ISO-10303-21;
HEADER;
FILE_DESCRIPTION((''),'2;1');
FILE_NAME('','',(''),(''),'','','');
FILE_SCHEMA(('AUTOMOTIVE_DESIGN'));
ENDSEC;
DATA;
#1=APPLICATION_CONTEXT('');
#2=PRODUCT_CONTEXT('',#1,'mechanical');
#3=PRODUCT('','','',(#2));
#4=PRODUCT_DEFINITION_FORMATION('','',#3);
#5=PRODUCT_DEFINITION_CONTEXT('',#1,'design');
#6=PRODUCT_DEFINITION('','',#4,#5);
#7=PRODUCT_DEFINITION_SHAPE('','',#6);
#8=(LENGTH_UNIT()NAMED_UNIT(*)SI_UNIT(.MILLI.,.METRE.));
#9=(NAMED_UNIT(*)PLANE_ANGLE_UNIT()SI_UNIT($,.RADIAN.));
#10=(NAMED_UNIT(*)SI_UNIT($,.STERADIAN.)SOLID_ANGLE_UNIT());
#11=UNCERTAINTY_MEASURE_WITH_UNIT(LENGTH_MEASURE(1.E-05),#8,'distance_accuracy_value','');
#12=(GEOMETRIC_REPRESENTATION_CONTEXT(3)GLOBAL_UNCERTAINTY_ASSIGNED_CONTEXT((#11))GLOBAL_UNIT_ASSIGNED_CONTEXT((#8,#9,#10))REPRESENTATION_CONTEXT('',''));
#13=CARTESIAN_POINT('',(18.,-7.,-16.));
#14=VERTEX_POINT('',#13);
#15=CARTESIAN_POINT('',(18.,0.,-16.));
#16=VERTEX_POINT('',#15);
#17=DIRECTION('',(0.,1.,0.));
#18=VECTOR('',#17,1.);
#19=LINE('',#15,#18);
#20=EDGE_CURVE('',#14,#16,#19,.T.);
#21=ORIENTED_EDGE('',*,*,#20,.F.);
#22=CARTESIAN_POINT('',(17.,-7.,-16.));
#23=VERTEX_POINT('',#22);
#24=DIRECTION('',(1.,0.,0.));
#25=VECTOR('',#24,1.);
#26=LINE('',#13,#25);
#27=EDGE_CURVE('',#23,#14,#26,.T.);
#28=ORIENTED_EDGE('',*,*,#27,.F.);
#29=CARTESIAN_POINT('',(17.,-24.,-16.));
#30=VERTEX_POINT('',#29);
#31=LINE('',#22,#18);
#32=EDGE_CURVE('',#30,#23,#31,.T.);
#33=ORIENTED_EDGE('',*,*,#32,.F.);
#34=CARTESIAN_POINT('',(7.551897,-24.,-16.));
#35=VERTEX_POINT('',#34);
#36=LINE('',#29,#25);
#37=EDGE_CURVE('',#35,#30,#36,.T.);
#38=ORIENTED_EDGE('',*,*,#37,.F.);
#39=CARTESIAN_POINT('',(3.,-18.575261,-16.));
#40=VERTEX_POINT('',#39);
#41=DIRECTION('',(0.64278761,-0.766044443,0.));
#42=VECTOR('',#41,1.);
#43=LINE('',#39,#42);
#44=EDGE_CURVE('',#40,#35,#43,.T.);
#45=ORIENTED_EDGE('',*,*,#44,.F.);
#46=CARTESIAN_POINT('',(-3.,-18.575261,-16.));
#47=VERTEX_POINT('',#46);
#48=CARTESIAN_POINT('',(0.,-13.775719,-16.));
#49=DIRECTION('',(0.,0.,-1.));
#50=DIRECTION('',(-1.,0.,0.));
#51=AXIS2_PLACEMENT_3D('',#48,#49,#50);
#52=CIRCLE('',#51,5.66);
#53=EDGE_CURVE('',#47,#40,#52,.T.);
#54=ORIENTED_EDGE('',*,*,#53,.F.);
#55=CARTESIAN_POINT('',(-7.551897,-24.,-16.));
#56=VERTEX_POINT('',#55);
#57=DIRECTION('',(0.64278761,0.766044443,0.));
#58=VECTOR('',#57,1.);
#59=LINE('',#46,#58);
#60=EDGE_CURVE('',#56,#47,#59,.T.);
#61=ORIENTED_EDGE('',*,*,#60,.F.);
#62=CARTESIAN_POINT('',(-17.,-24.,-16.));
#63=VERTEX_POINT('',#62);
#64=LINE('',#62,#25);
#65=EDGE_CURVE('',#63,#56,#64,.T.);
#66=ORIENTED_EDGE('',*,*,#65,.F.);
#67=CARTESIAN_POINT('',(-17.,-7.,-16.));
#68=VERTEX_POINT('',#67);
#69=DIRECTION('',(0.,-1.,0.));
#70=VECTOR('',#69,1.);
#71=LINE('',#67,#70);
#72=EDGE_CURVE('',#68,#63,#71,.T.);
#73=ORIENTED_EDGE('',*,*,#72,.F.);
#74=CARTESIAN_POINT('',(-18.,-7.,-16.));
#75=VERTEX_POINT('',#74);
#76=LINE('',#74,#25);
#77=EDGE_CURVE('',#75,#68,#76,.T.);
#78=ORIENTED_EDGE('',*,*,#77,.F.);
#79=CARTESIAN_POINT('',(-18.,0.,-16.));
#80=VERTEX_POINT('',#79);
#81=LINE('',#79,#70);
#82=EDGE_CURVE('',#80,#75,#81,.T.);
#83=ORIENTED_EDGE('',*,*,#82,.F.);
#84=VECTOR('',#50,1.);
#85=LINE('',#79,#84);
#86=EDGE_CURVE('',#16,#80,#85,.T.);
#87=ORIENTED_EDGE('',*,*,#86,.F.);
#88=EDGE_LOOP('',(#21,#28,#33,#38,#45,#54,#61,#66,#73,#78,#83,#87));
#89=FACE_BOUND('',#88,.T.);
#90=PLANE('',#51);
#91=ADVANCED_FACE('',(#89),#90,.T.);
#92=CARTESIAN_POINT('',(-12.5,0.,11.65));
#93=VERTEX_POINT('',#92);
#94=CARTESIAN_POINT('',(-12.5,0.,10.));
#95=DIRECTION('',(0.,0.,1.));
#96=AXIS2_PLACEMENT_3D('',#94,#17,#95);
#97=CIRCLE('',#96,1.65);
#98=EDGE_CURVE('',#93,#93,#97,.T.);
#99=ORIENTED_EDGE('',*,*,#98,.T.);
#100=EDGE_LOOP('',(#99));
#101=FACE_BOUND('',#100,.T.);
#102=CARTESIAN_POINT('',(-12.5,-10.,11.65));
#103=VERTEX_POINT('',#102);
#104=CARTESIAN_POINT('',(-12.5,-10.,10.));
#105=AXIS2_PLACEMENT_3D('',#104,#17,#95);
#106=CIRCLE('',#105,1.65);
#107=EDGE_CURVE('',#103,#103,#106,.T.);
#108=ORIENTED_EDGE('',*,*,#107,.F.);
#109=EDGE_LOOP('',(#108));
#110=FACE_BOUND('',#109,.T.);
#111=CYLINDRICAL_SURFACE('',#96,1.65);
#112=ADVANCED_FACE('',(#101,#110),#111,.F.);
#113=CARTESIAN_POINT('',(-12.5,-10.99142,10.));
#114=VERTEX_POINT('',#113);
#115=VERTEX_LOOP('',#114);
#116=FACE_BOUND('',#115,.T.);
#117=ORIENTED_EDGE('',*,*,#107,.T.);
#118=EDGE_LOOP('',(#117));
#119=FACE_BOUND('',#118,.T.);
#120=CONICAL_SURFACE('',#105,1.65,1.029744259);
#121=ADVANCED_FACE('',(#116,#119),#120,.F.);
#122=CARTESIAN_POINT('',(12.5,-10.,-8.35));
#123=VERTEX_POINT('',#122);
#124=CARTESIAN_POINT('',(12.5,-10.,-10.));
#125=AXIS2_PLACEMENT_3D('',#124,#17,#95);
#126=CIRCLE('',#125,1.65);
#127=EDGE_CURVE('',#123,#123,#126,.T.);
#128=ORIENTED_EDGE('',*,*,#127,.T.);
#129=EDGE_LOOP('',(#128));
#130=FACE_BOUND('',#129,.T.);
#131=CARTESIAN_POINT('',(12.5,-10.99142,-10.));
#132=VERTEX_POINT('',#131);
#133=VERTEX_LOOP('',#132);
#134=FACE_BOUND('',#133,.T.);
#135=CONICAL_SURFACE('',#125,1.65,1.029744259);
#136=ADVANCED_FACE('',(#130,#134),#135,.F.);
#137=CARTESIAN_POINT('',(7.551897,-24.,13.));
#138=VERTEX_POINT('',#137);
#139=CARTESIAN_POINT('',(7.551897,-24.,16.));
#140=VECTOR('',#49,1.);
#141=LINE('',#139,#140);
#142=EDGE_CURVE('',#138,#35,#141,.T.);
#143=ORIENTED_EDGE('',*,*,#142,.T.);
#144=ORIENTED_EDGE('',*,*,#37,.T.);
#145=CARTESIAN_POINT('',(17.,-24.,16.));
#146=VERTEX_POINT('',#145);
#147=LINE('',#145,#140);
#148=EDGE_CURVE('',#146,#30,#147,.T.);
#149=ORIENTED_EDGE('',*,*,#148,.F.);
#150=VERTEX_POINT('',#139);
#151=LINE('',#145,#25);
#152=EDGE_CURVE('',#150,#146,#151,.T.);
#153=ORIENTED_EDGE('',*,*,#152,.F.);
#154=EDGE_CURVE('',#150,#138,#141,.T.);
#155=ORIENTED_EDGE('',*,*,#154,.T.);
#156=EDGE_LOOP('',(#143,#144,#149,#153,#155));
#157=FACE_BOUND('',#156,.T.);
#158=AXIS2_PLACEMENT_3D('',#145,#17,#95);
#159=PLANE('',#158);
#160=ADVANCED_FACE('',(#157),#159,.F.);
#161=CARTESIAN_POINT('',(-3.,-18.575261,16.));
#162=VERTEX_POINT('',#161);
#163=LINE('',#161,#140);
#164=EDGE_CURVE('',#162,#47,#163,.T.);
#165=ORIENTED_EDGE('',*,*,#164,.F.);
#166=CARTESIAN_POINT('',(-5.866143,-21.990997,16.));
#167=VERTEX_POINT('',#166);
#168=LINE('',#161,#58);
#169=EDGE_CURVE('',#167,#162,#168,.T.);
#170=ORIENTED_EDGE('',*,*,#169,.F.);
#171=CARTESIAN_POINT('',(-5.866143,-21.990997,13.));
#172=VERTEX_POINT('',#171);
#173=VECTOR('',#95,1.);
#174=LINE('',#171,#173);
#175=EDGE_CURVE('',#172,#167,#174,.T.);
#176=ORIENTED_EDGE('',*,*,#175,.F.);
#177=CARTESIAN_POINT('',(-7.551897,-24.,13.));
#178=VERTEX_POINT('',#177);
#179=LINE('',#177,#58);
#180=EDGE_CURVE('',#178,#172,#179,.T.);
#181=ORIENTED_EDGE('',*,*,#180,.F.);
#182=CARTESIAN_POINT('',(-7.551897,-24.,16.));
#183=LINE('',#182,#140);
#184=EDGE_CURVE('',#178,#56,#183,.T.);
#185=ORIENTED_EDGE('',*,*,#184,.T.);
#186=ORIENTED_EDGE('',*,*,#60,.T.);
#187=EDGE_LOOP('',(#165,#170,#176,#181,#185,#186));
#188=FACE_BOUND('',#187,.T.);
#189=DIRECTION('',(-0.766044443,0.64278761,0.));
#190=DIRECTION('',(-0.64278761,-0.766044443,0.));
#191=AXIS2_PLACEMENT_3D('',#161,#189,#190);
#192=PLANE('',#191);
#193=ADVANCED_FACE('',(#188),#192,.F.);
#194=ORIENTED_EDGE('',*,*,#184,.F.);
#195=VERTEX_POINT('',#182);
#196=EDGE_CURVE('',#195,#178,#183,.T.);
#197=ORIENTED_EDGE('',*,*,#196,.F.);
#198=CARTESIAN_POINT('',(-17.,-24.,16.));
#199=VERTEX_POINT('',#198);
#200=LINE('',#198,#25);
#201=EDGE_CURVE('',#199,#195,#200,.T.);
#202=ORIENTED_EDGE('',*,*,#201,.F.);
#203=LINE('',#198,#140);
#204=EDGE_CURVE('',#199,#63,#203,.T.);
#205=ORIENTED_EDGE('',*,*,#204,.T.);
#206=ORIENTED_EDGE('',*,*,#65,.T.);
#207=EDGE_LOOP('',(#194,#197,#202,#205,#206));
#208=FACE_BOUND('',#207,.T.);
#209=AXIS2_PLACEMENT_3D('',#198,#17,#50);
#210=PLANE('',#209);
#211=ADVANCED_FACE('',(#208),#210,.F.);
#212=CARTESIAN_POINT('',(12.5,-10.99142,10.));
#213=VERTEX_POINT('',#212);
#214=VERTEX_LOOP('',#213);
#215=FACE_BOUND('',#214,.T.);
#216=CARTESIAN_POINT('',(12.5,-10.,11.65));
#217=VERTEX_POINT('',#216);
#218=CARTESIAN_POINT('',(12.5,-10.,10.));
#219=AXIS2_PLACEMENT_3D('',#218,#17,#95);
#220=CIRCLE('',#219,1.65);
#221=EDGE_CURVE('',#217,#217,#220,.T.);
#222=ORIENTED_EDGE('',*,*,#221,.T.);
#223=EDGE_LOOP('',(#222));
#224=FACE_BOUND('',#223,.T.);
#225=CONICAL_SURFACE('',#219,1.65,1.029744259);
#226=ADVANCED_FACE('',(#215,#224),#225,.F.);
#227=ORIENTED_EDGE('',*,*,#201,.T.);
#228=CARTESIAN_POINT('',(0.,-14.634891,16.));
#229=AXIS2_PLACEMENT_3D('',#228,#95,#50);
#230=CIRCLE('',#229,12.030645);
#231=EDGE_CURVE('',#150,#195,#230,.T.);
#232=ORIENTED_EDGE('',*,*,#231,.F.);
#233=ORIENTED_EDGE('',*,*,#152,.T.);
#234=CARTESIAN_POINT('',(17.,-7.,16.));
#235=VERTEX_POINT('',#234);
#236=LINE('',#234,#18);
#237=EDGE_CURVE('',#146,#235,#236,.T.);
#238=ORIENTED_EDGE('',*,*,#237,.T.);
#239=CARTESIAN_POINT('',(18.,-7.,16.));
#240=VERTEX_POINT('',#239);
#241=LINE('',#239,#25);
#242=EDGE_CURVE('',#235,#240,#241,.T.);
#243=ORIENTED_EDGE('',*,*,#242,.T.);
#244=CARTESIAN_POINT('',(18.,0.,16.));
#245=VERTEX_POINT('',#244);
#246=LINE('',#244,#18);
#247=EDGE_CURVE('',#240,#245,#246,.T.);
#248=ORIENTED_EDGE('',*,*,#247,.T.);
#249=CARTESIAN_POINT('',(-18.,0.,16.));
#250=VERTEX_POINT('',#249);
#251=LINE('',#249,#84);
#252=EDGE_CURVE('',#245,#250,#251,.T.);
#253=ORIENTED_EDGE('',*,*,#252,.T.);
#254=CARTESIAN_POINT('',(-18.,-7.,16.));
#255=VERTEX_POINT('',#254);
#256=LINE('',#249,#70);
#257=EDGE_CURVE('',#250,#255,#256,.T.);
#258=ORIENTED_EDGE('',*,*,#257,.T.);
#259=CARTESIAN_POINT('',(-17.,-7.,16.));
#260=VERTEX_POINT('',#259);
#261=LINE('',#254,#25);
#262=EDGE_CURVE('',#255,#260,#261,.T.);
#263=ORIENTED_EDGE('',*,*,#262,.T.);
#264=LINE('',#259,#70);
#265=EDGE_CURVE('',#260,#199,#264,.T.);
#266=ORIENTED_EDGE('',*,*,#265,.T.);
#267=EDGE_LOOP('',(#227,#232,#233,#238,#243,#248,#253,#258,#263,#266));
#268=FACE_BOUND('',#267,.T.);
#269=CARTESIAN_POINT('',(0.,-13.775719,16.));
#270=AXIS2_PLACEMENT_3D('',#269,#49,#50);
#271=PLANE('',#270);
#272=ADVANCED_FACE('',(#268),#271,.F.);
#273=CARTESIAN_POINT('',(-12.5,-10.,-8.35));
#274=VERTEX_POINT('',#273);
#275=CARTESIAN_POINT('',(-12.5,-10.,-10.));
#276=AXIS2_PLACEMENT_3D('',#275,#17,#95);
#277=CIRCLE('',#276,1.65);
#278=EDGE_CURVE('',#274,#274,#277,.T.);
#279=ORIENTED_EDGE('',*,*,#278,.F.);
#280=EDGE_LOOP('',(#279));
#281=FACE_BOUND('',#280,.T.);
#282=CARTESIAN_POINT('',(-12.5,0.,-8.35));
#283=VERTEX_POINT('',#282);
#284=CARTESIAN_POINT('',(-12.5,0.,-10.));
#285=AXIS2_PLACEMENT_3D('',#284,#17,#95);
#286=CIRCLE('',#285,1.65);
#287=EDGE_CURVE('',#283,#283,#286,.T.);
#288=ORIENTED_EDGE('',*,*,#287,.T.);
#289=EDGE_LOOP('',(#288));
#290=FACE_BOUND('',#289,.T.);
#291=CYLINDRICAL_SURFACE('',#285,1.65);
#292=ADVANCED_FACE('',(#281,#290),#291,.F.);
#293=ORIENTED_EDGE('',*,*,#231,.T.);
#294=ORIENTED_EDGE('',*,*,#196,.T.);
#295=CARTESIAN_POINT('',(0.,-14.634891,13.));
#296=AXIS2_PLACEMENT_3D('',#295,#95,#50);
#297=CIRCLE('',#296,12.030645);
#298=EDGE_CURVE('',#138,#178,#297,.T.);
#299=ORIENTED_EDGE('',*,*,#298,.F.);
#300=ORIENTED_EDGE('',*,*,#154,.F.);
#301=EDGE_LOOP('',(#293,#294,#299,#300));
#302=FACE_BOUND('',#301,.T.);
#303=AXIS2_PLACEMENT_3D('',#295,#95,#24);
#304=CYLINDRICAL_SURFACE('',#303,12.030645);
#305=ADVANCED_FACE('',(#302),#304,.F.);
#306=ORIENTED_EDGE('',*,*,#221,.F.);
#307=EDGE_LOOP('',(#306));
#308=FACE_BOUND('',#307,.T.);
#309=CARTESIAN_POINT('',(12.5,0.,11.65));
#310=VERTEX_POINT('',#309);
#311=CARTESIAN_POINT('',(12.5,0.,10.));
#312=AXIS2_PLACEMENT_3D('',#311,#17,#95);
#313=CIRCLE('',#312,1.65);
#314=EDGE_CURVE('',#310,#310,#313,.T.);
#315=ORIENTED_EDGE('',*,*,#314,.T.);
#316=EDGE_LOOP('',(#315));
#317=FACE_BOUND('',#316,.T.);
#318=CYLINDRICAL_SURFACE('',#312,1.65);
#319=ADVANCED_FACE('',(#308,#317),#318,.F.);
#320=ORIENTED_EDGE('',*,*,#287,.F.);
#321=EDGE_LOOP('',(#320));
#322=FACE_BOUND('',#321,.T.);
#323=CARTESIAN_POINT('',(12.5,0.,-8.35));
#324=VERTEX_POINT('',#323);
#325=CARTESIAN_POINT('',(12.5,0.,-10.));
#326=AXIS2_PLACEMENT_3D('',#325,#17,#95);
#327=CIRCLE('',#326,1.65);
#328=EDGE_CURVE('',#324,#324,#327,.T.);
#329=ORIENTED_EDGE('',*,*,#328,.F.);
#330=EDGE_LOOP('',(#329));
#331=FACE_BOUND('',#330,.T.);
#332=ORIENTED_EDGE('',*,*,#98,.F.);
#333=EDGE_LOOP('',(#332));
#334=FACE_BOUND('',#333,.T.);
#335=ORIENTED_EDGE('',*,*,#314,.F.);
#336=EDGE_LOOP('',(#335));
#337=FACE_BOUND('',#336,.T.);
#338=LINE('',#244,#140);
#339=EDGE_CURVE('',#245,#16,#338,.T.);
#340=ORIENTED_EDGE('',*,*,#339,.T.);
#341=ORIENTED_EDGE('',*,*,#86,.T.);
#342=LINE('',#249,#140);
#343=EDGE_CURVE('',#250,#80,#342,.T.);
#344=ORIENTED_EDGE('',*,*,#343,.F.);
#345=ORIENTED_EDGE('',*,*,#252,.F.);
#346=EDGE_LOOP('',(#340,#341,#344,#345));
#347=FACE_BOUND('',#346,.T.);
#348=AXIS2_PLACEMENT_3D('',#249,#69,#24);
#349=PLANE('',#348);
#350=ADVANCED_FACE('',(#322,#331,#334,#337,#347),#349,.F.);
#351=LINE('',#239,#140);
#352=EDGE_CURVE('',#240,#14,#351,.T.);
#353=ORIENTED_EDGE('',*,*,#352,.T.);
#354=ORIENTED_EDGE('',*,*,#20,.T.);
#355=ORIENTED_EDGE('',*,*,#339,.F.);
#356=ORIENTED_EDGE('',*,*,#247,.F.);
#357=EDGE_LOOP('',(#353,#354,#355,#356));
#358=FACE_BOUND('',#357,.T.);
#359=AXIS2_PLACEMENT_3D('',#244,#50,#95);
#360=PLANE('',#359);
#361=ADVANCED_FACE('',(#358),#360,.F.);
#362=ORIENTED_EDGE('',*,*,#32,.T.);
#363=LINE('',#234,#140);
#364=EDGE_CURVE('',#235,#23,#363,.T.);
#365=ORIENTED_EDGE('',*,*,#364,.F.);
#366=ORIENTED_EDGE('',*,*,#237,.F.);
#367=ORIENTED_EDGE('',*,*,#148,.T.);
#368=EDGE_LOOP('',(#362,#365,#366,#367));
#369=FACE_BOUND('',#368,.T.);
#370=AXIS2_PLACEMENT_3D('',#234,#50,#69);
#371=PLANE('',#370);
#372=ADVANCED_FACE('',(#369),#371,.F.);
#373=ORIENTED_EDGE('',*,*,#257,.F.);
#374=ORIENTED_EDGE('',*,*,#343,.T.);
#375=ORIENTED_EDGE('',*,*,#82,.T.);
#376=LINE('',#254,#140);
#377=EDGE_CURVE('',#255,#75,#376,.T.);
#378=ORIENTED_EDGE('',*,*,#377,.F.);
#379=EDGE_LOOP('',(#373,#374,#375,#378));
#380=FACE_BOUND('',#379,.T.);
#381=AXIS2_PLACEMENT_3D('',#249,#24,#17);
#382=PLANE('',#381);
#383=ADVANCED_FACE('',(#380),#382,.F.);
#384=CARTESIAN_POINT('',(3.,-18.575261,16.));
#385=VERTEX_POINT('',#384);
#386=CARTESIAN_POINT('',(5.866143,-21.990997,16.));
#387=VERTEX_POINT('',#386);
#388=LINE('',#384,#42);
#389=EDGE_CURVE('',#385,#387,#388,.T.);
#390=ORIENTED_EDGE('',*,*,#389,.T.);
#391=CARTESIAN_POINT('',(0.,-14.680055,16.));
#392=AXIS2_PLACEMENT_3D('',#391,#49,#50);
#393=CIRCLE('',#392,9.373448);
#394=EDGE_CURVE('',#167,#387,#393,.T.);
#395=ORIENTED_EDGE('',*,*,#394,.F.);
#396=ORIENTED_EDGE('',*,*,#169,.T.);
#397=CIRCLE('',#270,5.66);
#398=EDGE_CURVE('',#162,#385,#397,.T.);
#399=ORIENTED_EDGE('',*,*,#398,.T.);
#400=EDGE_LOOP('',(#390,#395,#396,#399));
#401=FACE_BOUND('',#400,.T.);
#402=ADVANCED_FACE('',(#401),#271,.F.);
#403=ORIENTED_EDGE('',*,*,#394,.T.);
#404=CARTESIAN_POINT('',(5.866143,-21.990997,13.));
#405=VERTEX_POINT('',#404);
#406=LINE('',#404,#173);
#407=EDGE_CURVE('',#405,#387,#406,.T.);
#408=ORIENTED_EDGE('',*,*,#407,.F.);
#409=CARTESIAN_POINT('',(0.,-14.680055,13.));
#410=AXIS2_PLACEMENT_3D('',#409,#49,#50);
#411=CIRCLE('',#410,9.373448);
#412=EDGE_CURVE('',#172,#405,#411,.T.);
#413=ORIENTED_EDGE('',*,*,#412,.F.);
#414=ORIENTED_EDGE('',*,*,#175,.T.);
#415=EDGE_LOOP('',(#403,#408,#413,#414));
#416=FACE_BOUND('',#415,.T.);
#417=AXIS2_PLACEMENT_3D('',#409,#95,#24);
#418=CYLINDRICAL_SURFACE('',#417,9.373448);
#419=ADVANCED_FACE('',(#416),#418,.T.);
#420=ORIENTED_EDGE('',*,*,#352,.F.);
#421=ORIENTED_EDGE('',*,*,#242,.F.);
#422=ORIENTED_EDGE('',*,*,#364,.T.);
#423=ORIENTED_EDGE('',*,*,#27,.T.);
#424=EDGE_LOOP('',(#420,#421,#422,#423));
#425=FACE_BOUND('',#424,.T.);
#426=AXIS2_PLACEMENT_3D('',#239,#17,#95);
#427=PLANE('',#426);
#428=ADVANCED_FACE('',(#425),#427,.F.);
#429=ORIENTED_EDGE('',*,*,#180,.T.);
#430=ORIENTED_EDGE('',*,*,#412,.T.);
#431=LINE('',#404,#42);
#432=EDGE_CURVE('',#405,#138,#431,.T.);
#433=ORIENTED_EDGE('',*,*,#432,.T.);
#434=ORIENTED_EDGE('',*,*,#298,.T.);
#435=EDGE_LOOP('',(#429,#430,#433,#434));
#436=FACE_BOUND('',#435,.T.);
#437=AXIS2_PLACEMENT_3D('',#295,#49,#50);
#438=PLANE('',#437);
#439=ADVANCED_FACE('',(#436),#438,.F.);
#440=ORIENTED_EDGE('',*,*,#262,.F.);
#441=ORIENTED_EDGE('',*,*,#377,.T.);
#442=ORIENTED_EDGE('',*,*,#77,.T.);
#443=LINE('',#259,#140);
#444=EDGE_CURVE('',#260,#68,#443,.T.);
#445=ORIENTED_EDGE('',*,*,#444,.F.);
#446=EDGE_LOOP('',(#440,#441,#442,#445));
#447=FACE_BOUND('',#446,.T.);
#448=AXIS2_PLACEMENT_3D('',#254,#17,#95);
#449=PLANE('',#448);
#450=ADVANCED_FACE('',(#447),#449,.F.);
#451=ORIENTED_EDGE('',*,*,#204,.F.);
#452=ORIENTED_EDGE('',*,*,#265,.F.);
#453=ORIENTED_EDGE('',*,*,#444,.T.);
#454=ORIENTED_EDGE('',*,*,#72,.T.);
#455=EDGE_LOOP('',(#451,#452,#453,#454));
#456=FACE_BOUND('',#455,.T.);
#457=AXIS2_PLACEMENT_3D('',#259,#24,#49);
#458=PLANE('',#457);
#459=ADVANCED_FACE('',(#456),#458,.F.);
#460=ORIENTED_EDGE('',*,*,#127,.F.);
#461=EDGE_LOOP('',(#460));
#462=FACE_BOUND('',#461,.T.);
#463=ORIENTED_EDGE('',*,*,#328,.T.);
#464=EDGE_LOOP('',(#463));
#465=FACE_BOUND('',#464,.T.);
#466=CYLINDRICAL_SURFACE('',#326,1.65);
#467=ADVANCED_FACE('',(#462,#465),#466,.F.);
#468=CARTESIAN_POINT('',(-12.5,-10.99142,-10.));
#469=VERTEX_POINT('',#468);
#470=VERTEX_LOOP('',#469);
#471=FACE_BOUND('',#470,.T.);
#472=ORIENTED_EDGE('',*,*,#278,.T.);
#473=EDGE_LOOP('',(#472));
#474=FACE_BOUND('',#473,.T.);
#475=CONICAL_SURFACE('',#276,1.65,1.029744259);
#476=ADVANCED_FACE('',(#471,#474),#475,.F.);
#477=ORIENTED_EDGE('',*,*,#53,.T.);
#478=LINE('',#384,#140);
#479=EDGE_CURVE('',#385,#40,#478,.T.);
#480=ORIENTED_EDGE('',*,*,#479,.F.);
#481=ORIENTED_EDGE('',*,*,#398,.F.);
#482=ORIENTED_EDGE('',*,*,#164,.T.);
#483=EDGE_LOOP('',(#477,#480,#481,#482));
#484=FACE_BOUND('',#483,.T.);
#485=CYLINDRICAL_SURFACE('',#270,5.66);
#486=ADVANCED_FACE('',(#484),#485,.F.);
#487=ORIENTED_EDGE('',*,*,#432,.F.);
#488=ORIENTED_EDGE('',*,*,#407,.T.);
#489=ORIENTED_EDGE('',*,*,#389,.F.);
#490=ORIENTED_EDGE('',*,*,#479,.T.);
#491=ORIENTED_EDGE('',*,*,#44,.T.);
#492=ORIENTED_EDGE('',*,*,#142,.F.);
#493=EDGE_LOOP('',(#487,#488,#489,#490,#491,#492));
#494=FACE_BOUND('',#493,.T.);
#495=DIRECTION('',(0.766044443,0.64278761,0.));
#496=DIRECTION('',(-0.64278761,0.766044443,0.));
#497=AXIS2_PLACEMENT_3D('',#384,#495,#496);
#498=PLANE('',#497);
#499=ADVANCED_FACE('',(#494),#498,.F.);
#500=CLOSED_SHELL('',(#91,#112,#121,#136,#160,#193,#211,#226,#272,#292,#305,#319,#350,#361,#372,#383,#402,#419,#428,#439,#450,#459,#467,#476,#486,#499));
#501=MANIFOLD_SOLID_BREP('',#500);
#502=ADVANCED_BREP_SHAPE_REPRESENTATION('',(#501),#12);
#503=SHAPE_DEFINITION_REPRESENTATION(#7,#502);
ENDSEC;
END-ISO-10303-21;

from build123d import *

# Parameters (mm, degrees)
EXTRUDE_1_DEPTH     = 16
CUT_EXTRUDE_1_DEPTH = 3


with BuildPart() as part:
    # 草图1 → 凸台-拉伸1 (new, symmetric)
    with BuildSketch(Plane.XY):
        with BuildLine():
            Line((-18, 0), (18, 0))
            Line((18, 0), (18, -7))
            Line((18, -7), (17, -7))
            Line((17, -7), (17, -24))
            Line((17, -24), (7.551896681, -24))
            Line((7.551896681, -24), (3, -18.575260778))
            ThreePointArc((3, -18.575260778), (0, -8.115719133), (-3, -18.575260778))
            Line((-3, -18.575260778), (-7.551896681, -24))
            Line((-7.551896681, -24), (-17, -24))
            Line((-17, -24), (-17, -7))
            Line((-17, -7), (-18, -7))
            Line((-18, -7), (-18, 0))
        make_face()
    extrude(amount=EXTRUDE_1_DEPTH, both=True)

    # 草图2 → 切除-拉伸1 (cut)
    with BuildSketch(Plane.XY.offset(16)):
        with BuildLine():
            Line((-7.551896681, -24), (-5.866143417, -21.990997492))
            ThreePointArc((-5.866143417, -21.990997492), (0, -5.306607169), (5.866143417, -21.990997492))
            Line((5.866143417, -21.990997492), (7.551896681, -24))
            ThreePointArc((7.551896681, -24), (0, -2.604245979), (-7.551896681, -24))
        make_face()
    extrude(amount=-CUT_EXTRUDE_1_DEPTH, mode=Mode.SUBTRACT)

    # 草图4 → M4 螺纹孔的螺纹孔钻头1 (revolve, cut)
    with BuildSketch(Plane(origin=(-12.5, 0, 10), x_dir=(0, 0, 1), z_dir=(1, 0, 0))):
        Polygon((0, 0), (0, 10.991420021), (1.65, 10), (1.65, 0), align=None)
    hole_wizard_m4_1 = revolve(axis=Axis((-12.5, 6.35, 10), (0, -1, 0)), mode=Mode.SUBTRACT)

    # 镜向1: M4 螺纹孔的螺纹孔钻头1 across plane
    add(hole_wizard_m4_1.mirror(Plane.XY), mode=Mode.SUBTRACT)

    # 镜向2: M4 螺纹孔的螺纹孔钻头1 across plane
    add(hole_wizard_m4_1.mirror(Plane(origin=(0, 0, 0), x_dir=(0, 0, 1), z_dir=(1, 0, 0))), mode=Mode.SUBTRACT)

    # 镜向2 copy 1 sketch → 镜向2 copy 1 (revolve, cut)
    with BuildSketch(Plane(origin=(12.5, 0, -10), x_dir=(0, 0, -1), z_dir=(-1, 0, 0))):
        Polygon((0, 0), (0, 10.991420021), (1.65, 10), (1.65, 0), align=None)
    revolve(axis=Axis((12.5, 6.35, -10), (0, -1, 0)), mode=Mode.SUBTRACT)


solid = part.part
